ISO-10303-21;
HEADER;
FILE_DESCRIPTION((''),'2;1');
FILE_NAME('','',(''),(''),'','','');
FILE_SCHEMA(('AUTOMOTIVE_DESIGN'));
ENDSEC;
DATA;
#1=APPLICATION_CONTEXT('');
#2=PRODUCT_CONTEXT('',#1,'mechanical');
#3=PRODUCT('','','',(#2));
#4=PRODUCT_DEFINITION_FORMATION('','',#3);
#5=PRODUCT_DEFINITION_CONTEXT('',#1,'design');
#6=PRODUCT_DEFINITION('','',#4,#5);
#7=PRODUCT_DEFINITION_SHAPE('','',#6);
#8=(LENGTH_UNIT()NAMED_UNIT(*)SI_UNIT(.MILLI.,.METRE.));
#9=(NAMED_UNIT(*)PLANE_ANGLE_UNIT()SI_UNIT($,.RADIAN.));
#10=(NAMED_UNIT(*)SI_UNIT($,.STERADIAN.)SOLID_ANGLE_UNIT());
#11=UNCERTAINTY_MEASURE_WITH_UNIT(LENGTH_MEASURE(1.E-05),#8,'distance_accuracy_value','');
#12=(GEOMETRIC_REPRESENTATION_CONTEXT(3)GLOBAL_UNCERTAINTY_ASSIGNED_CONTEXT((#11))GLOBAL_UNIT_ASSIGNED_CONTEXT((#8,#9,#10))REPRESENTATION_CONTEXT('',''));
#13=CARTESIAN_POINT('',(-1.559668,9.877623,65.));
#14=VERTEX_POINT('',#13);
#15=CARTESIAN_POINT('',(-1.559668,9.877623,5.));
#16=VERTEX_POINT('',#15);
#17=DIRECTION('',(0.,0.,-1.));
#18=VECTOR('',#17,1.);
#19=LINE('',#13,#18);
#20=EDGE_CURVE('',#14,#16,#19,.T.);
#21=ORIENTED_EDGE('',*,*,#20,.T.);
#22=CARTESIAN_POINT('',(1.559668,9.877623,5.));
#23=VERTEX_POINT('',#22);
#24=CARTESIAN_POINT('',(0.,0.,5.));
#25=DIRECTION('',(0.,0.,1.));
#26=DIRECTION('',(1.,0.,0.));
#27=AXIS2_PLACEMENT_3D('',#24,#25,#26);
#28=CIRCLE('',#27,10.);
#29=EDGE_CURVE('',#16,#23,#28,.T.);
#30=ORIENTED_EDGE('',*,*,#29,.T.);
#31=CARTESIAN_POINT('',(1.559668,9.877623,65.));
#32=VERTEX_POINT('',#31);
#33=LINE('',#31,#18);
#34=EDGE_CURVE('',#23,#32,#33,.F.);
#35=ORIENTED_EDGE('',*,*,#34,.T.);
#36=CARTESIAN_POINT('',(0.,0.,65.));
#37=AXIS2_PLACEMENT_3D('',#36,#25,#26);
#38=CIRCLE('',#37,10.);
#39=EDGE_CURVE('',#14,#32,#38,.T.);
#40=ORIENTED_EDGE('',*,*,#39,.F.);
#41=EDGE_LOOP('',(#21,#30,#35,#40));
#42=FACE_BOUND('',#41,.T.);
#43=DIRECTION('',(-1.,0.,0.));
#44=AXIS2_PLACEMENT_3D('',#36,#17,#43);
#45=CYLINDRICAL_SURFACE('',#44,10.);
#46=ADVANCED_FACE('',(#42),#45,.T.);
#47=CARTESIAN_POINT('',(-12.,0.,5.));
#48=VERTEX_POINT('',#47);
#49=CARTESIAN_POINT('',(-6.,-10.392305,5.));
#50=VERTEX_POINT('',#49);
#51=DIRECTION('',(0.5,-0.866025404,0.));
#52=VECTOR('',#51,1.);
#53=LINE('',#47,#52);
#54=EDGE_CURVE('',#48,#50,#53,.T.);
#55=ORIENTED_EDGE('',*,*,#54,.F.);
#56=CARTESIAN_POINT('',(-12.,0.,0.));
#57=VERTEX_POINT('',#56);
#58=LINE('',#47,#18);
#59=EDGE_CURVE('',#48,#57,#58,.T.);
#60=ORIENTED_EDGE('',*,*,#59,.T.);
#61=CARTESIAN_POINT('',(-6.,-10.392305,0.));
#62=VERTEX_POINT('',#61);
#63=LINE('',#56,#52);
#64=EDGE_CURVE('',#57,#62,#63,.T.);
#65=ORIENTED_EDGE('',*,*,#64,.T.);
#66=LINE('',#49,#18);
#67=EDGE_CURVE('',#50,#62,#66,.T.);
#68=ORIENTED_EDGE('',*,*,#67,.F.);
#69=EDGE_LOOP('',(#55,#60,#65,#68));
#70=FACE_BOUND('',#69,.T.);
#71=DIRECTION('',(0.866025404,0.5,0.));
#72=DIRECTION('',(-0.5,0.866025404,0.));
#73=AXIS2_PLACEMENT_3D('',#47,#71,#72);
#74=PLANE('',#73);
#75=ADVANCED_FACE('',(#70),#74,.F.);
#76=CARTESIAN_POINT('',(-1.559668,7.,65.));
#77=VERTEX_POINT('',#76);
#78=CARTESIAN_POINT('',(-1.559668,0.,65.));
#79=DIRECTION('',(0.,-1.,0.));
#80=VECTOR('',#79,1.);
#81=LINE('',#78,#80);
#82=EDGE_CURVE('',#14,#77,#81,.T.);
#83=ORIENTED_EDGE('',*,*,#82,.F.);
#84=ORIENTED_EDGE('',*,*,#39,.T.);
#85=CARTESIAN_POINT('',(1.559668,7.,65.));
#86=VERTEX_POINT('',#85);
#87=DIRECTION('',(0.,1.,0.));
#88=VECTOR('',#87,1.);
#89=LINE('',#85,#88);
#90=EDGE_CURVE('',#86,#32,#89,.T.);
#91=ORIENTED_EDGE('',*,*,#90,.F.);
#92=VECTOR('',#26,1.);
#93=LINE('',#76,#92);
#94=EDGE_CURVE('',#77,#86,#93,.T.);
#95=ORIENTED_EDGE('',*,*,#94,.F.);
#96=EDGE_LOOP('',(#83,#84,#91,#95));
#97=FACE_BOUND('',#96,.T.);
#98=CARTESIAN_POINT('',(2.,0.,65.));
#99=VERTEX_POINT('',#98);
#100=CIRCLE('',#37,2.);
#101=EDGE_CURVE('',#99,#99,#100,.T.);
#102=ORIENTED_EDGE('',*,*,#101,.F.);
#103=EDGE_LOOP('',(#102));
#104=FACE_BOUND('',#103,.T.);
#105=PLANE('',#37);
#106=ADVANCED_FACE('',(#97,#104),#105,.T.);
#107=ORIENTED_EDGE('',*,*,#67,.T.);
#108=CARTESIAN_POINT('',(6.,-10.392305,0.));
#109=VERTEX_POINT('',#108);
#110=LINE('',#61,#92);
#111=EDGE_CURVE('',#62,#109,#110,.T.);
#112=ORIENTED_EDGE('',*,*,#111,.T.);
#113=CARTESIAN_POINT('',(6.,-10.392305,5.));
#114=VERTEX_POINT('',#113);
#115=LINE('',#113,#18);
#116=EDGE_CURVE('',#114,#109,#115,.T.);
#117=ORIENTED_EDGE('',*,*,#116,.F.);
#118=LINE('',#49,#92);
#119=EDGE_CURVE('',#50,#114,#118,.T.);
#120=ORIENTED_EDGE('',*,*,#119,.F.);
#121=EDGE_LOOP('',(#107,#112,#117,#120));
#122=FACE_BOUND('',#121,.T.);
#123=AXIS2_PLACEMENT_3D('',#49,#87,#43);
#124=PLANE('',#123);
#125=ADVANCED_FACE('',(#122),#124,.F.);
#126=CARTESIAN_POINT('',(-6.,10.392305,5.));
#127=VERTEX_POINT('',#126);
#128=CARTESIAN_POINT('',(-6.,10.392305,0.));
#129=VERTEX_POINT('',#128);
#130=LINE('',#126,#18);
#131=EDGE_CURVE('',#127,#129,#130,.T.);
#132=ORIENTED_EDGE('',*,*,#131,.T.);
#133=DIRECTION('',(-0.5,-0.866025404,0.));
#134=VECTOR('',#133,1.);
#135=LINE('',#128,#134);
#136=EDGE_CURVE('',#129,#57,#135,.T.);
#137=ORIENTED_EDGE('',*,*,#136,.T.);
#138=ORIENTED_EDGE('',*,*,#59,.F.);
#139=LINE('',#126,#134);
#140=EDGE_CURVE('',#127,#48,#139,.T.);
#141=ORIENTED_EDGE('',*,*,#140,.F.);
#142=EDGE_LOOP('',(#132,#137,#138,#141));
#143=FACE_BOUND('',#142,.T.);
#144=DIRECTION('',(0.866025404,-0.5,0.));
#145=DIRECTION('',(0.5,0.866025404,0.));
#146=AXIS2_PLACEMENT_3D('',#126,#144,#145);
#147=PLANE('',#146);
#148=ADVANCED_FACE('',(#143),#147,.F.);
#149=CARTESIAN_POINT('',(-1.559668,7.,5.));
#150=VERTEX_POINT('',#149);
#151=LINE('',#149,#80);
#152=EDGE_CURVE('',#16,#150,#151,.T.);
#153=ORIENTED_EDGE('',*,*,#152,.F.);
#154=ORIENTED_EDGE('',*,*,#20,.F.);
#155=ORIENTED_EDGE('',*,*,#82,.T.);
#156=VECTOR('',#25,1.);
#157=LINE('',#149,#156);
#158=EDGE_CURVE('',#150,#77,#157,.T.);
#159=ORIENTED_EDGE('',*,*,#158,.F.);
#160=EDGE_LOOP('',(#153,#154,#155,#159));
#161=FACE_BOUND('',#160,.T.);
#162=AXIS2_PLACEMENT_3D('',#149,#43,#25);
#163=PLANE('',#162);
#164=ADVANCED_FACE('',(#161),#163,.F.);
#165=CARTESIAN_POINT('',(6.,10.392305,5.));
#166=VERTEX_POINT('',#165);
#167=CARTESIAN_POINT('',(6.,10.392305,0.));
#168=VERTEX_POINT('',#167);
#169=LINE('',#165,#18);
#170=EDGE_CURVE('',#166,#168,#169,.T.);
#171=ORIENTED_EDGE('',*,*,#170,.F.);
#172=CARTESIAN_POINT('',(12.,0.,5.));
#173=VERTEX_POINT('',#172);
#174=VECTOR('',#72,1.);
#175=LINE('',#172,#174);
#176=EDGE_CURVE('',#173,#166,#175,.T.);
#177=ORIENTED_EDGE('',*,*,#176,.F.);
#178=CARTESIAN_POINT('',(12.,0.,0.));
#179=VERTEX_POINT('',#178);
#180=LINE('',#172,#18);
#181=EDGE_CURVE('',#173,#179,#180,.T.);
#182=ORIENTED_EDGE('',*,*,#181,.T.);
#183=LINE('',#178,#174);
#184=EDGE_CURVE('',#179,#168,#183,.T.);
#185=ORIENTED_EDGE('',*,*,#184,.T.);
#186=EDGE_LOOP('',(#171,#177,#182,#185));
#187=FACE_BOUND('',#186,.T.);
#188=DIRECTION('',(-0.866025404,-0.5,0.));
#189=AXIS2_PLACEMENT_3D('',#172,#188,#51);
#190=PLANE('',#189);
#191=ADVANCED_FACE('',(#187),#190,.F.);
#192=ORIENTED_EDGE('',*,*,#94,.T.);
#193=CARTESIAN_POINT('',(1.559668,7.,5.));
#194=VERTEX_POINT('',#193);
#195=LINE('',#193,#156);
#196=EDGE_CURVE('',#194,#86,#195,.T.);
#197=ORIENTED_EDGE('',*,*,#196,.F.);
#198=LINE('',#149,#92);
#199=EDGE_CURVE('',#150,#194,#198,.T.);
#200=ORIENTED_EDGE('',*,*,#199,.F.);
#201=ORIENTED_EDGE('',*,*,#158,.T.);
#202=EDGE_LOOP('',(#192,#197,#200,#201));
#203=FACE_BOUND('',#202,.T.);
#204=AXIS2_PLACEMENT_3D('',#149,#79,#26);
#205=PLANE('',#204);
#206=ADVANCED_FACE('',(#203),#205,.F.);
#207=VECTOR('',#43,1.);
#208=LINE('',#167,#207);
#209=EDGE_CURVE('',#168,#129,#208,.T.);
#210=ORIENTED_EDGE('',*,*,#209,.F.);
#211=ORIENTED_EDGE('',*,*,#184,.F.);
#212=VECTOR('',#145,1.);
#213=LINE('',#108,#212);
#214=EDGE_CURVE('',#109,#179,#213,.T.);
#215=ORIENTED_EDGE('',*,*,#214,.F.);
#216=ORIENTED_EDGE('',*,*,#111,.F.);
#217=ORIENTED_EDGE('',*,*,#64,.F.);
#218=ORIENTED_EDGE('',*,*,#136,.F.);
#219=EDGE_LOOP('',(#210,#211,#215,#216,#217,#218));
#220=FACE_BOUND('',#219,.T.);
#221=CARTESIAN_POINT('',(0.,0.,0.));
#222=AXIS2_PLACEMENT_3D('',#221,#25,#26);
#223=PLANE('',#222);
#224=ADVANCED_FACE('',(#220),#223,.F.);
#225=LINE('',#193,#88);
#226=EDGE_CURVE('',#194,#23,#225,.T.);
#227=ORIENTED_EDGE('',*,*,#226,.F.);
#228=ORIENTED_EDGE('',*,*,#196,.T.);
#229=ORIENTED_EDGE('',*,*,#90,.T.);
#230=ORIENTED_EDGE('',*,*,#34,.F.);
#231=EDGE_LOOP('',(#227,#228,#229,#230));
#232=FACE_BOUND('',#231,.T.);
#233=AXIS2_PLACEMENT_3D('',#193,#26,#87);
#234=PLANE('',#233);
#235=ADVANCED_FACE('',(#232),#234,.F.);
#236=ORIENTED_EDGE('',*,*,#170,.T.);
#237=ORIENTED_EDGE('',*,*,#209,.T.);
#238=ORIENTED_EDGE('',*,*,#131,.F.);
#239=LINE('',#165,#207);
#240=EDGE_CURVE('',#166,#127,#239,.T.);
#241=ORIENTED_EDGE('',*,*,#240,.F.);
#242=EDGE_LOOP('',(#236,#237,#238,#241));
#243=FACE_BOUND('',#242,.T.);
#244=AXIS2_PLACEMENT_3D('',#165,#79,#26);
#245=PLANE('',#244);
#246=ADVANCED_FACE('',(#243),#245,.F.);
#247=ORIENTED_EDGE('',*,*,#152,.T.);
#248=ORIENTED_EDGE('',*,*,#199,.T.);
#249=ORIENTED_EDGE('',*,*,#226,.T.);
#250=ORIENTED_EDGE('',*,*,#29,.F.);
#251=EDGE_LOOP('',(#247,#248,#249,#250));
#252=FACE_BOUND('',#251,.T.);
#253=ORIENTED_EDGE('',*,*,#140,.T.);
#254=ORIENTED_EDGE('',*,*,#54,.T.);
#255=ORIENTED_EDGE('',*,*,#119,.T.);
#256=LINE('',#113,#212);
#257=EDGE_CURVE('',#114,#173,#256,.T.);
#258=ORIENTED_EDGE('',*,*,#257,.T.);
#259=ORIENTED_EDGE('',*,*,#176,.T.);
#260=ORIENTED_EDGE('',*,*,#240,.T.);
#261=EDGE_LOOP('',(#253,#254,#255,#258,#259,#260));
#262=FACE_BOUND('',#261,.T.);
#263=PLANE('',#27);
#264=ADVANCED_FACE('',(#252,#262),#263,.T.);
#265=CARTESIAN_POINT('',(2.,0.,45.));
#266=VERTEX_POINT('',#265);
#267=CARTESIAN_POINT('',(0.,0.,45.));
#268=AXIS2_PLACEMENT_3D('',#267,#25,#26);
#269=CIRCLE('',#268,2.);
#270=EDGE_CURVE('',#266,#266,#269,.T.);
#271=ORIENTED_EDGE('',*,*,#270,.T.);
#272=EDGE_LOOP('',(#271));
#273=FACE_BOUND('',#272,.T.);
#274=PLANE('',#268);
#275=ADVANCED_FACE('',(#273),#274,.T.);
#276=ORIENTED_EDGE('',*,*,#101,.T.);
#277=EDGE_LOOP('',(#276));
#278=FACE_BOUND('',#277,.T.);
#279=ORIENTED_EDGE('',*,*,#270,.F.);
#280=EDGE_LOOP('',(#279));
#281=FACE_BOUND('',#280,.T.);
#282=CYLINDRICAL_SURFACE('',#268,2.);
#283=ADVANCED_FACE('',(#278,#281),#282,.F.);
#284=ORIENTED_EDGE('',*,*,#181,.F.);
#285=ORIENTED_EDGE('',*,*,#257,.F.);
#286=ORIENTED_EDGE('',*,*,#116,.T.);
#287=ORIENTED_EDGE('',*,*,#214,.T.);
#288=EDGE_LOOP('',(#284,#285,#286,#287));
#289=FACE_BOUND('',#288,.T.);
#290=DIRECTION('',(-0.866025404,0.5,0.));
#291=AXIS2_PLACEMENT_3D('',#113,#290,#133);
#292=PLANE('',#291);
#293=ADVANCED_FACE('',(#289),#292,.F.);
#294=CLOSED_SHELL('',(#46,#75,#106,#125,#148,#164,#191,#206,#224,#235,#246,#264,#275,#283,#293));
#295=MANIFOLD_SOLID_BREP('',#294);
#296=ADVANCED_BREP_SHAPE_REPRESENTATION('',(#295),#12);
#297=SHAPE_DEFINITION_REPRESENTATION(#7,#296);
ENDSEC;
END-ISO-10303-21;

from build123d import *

# Parameters (mm, degrees)
BOSS_EXTRUDE3_DEPTH = 5
SKETCH5_R           = 10
BOSS_EXTRUDE4_DEPTH = 60
SKETCH6_R           = 2
CUT_EXTRUDE1_DEPTH  = 20
SKETCH9_W           = 3.11933689
SKETCH9_H           = 7.065160472
CUT_EXTRUDE3_DEPTH  = 60


with BuildPart() as part:
    # Sketch3 → Boss-Extrude3 (new body)
    with BuildSketch(Plane.XY):
        Polygon((6, 10.392304845), (-6, 10.392304845), (-12, 0), (-6, -10.392304845), (6, -10.392304845), (12, 0), align=None)
    extrude(amount=BOSS_EXTRUDE3_DEPTH)

    # Sketch5 → Boss-Extrude4 (add)
    with BuildSketch(Plane.XY.offset(5)):
        Circle(SKETCH5_R)
    extrude(amount=BOSS_EXTRUDE4_DEPTH)

    # Sketch6 → Cut-Extrude1 (cut)
    with BuildSketch(Plane.XY.offset(65)):
        Circle(SKETCH6_R)
    extrude(amount=-CUT_EXTRUDE1_DEPTH, mode=Mode.SUBTRACT)

    # Sketch9 → Cut-Extrude3 (cut)
    with BuildSketch(Plane.XY.offset(65)):
        with Locations((0, 10.532580236)):
            Rectangle(SKETCH9_W, SKETCH9_H)
    extrude(amount=-CUT_EXTRUDE3_DEPTH, mode=Mode.SUBTRACT)


solid = part.part
